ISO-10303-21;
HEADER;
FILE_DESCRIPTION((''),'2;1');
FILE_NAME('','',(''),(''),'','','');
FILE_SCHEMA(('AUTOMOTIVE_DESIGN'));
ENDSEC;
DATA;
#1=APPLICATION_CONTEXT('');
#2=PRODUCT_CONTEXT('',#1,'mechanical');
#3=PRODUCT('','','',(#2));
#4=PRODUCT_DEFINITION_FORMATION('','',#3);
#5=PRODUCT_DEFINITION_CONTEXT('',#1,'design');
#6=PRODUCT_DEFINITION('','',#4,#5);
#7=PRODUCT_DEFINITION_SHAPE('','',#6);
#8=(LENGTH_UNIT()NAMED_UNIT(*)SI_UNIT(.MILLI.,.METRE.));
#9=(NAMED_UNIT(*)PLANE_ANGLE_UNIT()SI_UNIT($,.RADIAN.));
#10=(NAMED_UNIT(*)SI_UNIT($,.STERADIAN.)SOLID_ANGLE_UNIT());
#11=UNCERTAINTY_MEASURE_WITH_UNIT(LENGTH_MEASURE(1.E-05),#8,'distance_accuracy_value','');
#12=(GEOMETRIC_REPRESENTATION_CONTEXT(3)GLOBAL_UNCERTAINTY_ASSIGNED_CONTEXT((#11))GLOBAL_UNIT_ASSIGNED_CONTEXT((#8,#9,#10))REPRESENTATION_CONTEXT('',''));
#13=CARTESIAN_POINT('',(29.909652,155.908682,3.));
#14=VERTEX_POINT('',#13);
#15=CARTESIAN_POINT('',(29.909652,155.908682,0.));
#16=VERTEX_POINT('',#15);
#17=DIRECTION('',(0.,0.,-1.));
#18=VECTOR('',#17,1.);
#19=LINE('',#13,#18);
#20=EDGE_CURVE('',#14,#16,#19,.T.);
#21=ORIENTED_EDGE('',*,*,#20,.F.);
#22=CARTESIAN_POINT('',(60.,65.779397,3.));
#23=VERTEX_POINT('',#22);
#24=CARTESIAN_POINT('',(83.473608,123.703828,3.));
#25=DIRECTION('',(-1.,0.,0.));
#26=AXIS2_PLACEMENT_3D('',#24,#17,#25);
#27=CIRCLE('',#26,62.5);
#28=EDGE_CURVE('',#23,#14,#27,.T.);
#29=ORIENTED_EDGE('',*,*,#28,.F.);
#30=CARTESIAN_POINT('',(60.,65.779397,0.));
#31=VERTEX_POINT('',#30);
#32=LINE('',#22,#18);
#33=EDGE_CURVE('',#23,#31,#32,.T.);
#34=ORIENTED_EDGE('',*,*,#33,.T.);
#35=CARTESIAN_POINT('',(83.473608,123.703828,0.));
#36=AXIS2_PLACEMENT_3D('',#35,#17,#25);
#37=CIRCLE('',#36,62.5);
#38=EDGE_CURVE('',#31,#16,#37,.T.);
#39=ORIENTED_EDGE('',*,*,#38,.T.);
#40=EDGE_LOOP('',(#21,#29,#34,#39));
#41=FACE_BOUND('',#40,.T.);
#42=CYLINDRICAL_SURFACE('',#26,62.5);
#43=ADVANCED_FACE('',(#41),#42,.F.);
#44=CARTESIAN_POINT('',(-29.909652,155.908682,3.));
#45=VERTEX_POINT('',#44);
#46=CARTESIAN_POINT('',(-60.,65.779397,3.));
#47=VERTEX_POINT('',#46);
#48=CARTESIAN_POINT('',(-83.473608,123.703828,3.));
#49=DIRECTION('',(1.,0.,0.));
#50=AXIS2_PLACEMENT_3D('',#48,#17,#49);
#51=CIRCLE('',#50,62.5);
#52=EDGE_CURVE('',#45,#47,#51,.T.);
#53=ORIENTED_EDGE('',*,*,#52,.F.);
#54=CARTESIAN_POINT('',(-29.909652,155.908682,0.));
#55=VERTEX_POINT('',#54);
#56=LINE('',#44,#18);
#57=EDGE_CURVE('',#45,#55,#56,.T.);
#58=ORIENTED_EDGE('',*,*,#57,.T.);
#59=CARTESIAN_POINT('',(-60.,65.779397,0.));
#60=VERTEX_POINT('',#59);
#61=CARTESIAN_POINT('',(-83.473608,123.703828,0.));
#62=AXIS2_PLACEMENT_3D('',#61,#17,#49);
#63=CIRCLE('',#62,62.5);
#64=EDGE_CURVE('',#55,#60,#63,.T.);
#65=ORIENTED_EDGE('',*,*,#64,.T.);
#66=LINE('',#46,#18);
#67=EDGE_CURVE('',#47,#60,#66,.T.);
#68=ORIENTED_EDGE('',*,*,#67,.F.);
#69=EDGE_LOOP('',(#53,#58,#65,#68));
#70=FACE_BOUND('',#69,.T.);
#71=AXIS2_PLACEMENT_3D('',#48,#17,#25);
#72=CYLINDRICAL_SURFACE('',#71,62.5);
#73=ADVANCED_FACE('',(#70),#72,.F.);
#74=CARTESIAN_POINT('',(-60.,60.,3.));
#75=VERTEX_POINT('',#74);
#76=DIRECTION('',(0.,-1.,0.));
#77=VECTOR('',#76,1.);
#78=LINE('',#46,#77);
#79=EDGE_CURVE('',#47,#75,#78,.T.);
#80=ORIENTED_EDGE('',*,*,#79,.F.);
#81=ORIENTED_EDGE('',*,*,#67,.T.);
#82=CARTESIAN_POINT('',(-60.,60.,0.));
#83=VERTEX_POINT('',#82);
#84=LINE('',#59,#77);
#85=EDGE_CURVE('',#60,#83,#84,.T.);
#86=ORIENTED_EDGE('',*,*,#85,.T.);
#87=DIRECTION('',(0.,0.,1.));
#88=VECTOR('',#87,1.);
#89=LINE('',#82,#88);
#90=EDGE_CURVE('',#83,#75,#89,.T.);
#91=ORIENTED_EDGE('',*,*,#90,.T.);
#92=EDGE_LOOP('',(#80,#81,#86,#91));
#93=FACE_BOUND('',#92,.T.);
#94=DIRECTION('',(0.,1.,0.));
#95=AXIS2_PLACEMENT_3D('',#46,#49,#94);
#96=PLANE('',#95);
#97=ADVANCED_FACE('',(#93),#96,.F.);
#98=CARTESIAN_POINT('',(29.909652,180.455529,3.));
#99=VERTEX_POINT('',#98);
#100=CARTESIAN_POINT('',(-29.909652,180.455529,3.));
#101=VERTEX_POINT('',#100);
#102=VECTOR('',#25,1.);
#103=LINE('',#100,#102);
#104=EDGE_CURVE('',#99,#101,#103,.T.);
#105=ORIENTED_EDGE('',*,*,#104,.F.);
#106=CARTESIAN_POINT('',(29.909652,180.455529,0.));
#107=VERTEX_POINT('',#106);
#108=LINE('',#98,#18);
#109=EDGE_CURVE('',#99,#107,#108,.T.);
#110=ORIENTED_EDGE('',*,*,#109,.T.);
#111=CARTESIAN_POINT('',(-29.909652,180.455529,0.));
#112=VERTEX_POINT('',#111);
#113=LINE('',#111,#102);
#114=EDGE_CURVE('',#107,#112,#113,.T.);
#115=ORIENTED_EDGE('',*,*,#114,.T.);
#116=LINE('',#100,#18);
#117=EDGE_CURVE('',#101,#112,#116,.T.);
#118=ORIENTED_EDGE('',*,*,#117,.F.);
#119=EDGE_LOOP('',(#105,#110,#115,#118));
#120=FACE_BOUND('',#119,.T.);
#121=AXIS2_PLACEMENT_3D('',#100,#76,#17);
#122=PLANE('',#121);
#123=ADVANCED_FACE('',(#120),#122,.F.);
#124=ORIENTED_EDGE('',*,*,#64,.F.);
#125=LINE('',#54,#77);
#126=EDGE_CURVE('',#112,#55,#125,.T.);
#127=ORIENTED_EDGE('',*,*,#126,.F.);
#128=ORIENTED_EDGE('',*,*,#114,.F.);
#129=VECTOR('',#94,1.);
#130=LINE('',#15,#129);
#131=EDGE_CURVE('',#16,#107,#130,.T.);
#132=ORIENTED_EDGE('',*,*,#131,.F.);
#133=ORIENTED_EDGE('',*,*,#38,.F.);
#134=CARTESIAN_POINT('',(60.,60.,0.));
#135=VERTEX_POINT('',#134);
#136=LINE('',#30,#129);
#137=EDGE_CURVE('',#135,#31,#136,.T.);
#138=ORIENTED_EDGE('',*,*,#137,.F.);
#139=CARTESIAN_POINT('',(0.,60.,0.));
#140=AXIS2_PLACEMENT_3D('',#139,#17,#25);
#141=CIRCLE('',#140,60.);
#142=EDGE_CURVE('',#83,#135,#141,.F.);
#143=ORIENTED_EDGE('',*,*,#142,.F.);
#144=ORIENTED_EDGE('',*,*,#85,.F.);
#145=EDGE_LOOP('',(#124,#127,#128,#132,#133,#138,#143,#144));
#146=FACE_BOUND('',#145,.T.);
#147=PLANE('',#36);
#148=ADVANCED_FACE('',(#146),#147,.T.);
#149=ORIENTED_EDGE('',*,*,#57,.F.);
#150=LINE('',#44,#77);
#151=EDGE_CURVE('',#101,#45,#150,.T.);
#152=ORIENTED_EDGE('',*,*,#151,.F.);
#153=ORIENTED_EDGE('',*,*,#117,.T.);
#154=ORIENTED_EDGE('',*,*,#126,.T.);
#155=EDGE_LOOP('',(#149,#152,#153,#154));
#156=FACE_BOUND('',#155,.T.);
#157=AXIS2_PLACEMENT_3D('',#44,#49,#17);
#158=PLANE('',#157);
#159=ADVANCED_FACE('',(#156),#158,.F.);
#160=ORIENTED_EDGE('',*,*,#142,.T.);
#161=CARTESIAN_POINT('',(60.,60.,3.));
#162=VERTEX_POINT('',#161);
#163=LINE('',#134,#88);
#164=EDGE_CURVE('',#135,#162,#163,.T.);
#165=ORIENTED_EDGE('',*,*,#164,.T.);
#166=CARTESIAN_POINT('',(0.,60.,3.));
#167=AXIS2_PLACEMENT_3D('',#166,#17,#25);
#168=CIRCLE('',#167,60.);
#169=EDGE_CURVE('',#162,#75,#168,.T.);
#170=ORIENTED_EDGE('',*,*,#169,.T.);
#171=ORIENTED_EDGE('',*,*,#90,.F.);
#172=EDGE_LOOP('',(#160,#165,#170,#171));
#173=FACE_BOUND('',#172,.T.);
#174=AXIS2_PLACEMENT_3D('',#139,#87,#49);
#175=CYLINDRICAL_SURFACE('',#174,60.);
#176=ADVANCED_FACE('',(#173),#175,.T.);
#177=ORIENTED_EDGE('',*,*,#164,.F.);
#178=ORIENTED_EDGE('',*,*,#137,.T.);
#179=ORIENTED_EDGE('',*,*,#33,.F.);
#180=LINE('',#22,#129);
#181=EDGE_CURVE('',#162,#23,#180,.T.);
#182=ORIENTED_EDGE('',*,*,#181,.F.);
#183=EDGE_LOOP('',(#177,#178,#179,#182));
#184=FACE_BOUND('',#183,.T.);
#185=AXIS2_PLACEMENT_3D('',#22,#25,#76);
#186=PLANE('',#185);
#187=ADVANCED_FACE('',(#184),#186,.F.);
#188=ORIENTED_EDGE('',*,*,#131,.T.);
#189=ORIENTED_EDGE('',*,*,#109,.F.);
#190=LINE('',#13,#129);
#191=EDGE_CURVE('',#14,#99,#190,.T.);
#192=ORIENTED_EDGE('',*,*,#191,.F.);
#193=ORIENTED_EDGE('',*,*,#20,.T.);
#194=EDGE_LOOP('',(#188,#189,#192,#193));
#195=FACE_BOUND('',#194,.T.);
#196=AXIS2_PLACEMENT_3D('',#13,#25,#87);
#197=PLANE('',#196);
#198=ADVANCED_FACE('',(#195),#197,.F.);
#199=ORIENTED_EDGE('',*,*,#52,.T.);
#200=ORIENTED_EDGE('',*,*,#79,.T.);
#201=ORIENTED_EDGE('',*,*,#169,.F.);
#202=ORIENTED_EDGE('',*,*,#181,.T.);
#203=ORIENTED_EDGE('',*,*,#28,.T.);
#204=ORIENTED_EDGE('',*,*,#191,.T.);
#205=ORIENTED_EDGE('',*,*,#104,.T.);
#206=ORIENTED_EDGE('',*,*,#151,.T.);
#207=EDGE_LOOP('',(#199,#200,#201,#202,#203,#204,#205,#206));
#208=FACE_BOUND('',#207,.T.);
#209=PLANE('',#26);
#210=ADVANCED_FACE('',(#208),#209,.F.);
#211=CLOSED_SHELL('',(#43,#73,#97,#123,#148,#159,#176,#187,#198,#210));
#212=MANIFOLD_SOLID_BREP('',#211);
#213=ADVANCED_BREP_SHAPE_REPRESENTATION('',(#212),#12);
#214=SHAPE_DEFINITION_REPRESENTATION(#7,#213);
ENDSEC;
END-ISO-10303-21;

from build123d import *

# Parameters (mm, degrees)
BOSS_EXTRUDE1_DEPTH = 3
CUT_EXTRUDE1_DEPTH  = 4


with BuildPart() as part:
    # Sketch1 → Boss-Extrude1 (new body)
    with BuildSketch(Plane.XY):
        with BuildLine():
            Line((60, 65.779396594), (60, 0))
            Line((60, 0), (-60, 0))
            Line((-60, 0), (-60, 65.779396594))
            ThreePointArc((-60, 65.779396594), (-24.19023261, 103.91162188), (-29.909652169, 155.908682236))
            Line((-29.909652169, 155.908682236), (-29.909652169, 180.455528653))
            Line((-29.909652169, 180.455528653), (29.909652169, 180.455528653))
            Line((29.909652169, 180.455528653), (29.909652169, 155.908682236))
            ThreePointArc((29.909652169, 155.908682236), (24.19023261, 103.91162188), (60, 65.779396594))
        make_face()
    extrude(amount=BOSS_EXTRUDE1_DEPTH)

    # Sketch2 → Cut-Extrude1 (cut, through all)
    with BuildSketch(Plane.XY.offset(3)):
        with BuildLine():
            Line((-60, 60), (-60, -14.155296416))
            Line((-60, -14.155296416), (60, -14.155296416))
            Line((60, -14.155296416), (60, 60))
            ThreePointArc((60, 60), (0, 0), (-60, 60))
        make_face()
    extrude(amount=-CUT_EXTRUDE1_DEPTH, mode=Mode.SUBTRACT)


solid = part.part
